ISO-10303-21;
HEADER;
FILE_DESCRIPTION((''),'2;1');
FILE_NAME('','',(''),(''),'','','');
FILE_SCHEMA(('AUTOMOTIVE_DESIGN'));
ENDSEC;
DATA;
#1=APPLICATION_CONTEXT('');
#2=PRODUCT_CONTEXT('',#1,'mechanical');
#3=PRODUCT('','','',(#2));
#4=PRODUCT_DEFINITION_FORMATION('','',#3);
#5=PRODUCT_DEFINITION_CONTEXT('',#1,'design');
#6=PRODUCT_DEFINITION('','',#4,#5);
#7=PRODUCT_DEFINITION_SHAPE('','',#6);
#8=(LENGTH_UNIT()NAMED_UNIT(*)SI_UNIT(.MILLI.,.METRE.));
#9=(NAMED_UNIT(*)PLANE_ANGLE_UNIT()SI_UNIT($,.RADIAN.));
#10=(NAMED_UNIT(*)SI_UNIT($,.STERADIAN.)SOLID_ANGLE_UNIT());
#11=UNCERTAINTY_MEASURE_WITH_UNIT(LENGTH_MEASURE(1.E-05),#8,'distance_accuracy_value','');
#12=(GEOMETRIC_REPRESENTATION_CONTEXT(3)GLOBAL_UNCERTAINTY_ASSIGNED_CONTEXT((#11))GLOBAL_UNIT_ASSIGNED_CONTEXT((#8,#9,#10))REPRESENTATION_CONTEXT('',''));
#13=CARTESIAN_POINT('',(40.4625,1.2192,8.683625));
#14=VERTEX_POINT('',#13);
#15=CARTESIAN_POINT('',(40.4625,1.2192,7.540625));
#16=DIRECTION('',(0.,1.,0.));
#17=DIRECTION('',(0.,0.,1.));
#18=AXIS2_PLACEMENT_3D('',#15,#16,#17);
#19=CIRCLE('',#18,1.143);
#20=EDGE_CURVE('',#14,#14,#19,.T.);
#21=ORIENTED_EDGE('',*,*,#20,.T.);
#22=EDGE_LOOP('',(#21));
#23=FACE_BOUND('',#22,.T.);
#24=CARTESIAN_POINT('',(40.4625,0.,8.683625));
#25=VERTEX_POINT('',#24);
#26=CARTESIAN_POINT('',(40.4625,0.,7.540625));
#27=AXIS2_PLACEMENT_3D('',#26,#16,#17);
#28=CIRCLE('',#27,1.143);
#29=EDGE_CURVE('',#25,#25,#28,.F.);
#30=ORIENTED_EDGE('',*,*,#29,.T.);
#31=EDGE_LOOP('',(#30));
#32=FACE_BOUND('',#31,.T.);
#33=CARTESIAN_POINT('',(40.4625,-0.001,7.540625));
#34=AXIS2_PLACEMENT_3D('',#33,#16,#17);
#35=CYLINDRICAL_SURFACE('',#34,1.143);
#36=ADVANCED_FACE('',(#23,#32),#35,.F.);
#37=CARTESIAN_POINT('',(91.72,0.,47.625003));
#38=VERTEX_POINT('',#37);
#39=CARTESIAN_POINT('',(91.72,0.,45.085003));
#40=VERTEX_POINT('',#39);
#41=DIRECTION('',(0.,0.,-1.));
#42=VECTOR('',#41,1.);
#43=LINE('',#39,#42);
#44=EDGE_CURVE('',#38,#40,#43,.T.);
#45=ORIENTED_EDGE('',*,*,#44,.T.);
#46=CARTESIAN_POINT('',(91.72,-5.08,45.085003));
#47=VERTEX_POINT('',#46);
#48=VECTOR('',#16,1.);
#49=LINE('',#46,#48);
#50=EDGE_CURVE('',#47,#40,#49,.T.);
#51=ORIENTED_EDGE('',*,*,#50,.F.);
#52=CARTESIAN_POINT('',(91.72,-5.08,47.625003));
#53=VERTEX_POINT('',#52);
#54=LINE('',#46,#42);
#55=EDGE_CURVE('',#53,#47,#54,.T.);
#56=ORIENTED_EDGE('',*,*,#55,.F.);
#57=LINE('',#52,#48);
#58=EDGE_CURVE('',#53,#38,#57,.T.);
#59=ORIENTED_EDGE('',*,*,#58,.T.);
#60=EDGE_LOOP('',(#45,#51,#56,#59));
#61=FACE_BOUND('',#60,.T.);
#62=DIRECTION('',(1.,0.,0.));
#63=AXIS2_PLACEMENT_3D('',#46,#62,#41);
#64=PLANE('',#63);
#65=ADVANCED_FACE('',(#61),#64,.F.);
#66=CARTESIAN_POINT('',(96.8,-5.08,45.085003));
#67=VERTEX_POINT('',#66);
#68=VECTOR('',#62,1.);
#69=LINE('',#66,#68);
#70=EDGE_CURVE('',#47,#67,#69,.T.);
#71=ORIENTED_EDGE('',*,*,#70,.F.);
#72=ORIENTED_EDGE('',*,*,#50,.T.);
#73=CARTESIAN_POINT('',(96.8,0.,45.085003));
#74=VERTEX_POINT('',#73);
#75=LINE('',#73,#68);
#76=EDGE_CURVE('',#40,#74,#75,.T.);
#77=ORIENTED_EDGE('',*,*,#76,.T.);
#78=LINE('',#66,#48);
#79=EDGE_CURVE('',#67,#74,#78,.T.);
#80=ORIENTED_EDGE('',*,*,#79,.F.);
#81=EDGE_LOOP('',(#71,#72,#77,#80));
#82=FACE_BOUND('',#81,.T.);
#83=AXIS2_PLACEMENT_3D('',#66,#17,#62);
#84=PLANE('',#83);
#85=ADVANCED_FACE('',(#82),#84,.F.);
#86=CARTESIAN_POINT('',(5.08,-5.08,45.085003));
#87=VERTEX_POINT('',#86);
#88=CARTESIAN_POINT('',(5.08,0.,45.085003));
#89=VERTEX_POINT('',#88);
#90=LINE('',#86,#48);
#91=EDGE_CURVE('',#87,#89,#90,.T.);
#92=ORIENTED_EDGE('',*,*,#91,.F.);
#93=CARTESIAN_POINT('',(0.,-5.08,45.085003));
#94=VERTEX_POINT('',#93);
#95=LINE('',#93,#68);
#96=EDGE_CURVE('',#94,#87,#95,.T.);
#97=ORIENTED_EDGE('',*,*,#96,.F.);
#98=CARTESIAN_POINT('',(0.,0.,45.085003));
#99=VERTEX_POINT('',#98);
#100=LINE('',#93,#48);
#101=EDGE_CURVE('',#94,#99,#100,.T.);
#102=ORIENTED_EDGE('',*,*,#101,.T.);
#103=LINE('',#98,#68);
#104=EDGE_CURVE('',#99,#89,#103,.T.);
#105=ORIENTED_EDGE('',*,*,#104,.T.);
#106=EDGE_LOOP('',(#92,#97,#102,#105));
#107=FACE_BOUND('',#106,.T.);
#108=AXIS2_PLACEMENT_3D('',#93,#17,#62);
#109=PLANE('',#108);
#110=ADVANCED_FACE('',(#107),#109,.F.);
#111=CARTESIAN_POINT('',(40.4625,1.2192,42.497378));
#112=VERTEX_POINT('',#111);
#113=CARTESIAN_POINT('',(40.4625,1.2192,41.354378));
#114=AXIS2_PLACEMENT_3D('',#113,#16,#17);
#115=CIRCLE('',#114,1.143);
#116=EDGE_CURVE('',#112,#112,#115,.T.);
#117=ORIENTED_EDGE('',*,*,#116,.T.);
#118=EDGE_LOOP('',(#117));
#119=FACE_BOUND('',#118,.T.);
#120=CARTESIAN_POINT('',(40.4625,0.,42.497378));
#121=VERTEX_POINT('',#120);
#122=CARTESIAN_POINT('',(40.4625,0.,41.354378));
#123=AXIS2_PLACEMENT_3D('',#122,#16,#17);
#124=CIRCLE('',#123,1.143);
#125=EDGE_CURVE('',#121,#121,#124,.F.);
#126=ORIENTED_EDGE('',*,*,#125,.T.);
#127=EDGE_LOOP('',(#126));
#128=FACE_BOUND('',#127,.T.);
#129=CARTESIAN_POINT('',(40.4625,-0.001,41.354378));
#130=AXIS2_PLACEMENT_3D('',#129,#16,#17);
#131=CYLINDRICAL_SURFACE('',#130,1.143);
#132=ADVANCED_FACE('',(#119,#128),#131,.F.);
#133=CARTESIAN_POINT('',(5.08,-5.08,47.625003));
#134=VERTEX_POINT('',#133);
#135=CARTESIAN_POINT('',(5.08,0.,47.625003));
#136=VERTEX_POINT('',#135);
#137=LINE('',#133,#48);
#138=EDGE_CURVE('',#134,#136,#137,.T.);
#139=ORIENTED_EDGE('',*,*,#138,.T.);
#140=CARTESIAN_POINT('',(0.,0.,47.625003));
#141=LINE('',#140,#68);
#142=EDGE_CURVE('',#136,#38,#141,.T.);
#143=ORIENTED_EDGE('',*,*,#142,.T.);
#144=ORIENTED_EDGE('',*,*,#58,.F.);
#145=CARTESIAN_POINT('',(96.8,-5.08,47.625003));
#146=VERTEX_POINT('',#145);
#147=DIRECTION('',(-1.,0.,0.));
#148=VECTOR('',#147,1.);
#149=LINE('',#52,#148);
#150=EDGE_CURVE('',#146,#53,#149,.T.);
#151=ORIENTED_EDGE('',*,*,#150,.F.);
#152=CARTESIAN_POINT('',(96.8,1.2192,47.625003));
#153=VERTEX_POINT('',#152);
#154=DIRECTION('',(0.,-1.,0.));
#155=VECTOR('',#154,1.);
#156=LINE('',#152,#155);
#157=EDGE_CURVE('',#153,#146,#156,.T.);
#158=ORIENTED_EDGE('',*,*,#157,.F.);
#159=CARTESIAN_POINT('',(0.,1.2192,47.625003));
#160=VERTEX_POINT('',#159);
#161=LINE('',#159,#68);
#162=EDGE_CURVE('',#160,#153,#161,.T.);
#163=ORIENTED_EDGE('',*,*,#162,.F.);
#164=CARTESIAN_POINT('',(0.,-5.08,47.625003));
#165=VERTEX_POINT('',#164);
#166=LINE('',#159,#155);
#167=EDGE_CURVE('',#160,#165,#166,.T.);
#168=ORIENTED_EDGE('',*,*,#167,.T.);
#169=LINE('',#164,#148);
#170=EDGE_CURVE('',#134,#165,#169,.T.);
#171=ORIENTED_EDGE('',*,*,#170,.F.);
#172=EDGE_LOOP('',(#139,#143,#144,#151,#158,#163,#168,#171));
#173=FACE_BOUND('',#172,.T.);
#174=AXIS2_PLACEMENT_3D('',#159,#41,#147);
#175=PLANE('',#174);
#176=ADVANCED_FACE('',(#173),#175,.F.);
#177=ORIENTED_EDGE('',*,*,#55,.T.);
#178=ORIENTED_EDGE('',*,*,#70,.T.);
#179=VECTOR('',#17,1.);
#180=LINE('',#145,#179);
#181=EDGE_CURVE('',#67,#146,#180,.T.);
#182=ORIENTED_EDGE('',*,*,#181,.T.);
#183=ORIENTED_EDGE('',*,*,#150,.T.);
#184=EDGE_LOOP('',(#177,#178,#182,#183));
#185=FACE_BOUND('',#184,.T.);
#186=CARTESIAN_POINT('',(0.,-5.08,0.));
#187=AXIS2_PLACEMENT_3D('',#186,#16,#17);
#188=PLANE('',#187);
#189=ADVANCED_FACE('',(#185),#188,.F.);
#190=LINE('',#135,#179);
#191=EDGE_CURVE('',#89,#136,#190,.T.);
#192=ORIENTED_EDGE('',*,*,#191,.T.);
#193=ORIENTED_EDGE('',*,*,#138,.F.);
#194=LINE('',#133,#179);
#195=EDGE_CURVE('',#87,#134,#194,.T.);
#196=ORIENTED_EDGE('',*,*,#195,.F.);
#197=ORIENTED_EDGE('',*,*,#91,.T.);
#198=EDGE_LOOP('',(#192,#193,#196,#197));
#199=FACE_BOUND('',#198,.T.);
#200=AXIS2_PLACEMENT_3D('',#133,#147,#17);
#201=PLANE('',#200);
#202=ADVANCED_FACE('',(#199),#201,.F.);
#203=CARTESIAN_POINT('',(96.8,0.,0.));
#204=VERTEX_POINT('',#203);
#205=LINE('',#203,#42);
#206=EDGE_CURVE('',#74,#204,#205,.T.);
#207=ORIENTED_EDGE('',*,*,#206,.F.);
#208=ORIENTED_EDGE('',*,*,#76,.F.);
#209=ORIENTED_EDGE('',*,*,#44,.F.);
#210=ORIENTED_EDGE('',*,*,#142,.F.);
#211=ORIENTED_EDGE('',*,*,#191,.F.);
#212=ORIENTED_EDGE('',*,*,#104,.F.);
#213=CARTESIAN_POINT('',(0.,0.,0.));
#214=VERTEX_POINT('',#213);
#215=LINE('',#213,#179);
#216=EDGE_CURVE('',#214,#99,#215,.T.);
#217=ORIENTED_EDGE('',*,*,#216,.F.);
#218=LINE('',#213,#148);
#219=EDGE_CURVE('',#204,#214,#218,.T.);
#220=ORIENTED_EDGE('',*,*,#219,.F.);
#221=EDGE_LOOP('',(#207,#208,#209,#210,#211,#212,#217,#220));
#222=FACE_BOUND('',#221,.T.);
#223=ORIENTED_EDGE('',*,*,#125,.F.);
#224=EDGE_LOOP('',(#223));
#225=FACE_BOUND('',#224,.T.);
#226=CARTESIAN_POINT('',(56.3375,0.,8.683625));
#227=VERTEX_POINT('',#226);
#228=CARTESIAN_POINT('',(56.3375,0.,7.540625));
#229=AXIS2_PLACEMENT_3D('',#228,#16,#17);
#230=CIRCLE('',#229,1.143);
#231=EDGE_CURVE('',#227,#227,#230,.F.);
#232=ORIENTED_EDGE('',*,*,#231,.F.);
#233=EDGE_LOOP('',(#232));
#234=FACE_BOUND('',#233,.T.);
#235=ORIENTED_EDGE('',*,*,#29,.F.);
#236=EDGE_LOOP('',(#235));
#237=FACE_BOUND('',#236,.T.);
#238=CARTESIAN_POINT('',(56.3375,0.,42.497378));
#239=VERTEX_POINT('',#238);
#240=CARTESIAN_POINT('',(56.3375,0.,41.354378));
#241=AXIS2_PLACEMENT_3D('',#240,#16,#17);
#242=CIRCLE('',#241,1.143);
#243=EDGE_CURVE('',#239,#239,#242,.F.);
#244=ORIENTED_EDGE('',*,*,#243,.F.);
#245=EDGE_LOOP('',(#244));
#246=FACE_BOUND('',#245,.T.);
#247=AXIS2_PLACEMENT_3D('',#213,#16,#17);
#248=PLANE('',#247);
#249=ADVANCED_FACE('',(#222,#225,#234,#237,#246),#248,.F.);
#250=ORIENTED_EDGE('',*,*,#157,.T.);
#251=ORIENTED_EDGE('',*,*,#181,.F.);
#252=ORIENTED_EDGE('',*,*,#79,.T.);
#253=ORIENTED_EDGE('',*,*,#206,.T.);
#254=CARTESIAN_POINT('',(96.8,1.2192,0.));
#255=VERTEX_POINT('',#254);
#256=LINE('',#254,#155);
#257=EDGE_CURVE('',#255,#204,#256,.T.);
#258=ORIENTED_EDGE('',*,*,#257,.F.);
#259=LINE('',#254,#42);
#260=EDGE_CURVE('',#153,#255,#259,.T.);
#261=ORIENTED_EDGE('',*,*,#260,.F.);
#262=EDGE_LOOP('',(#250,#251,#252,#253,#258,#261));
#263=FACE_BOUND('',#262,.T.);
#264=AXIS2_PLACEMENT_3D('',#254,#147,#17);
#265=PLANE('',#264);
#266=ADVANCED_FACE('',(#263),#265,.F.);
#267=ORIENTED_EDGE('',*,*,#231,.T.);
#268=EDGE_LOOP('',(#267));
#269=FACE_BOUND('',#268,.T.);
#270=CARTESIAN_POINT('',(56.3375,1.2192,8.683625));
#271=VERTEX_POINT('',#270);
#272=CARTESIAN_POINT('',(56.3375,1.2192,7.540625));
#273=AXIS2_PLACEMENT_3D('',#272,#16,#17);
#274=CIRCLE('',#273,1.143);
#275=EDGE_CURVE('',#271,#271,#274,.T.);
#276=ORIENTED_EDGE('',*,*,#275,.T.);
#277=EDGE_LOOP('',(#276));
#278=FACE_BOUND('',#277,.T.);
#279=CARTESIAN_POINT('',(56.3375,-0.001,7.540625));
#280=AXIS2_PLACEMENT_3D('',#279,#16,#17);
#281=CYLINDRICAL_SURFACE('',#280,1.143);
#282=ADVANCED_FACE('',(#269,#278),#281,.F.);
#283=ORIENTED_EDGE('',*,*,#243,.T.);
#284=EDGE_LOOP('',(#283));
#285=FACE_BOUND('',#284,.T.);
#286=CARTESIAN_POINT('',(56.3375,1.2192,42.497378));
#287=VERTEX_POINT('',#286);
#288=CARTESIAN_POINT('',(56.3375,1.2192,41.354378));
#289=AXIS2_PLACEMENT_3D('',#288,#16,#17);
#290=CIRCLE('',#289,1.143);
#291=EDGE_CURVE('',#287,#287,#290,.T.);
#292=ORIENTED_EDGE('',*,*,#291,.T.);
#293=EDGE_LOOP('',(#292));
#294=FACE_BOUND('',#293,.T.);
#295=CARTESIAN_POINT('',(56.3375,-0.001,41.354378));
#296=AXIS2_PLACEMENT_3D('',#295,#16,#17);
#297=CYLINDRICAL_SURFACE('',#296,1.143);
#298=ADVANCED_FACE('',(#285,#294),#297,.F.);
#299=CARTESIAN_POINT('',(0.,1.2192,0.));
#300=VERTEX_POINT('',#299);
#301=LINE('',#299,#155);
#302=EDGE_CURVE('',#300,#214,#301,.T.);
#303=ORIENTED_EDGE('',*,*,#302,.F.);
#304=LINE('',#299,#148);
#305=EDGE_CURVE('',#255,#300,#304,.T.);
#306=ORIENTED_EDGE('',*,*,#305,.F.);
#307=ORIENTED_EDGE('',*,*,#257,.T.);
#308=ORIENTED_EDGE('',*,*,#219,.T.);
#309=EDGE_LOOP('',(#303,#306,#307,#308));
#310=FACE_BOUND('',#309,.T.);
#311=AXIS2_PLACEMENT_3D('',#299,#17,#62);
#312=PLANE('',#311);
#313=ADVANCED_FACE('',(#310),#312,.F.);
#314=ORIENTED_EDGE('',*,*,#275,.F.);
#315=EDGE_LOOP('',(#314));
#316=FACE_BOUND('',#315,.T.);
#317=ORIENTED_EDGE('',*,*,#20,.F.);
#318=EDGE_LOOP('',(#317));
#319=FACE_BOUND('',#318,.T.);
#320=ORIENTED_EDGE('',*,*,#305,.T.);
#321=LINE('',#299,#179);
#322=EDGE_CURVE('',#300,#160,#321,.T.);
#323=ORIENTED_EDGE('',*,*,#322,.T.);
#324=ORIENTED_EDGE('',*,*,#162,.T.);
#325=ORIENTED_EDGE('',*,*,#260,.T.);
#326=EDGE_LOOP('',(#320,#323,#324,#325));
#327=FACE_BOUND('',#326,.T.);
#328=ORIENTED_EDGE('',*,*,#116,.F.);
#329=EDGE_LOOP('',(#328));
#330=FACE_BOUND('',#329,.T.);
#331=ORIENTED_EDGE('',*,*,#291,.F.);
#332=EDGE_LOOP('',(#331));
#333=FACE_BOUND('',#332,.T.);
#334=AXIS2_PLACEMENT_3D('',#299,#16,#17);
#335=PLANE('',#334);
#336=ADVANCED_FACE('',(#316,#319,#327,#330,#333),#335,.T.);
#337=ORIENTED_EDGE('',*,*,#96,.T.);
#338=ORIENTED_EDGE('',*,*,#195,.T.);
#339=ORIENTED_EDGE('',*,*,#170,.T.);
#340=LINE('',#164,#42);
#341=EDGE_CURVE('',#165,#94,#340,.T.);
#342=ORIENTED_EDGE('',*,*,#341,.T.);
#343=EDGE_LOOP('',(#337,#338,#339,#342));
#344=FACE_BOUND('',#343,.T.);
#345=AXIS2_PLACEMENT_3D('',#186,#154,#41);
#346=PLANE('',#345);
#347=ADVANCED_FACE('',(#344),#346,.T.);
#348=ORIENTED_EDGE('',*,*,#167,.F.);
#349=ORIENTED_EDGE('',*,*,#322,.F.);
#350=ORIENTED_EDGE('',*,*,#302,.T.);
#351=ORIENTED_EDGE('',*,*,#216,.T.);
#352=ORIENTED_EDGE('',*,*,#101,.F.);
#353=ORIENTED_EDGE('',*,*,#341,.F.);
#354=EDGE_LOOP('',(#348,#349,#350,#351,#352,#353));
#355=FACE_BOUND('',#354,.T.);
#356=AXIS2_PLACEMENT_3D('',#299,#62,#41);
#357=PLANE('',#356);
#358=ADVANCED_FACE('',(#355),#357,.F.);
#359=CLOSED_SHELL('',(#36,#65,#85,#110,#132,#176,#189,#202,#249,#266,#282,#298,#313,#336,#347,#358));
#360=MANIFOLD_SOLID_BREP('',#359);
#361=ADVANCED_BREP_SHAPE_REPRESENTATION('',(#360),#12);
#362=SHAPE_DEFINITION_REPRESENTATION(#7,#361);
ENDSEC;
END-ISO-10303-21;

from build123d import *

# Parameters (mm, degrees)
SKETCH1_W           = 96.799999948
SKETCH1_H           = 47.62500254
BOSS_EXTRUDE1_DEPTH = 1.2192
CUT_EXTRUDE1_REACH  = 109.888
SKETCH5_R           = 1.143
CUT_EXTRUDE2_REACH  = 109.888
SKETCH6_R           = 1.143
SKETCH7_W           = 5.08
SKETCH7_H           = 2.54
BOSS_EXTRUDE2_DEPTH = 5.08


with BuildPart() as part:
    # Sketch1 → Boss-Extrude1 (new body)
    with BuildSketch(Plane(origin=(0, 0, 0), x_dir=(1, 0, 0), z_dir=(0, 1, 0))):
        with Locations((48.399999974, -23.81250127)):
            Rectangle(SKETCH1_W, SKETCH1_H)
    extrude(amount=BOSS_EXTRUDE1_DEPTH)

    # Sketch5 → Cut-Extrude1 (cut, up to next)
    with BuildSketch(Plane(origin=(0, 1.2192, 0), x_dir=(1, 0, 0), z_dir=(0, 1, 0)), mode=Mode.PRIVATE) as cut_extrude1_sk1:
        with Locations(Location((56.3375, -7.540625, 0), (0, 0, 270))):
            Circle(SKETCH5_R)
    cut_extrude1_tool1 = extrude(cut_extrude1_sk1.sketch, amount=-CUT_EXTRUDE1_REACH, mode=Mode.PRIVATE) & part.part
    # Sketch5 → Cut-Extrude1 (cut, up to next)
    with BuildSketch(Plane(origin=(0, 1.2192, 0), x_dir=(1, 0, 0), z_dir=(0, 1, 0)), mode=Mode.PRIVATE) as cut_extrude1_sk2:
        with Locations(Location((40.4625, -7.540625, 0), (0, 0, 270))):
            Circle(SKETCH5_R)
    cut_extrude1_tool2 = extrude(cut_extrude1_sk2.sketch, amount=-CUT_EXTRUDE1_REACH, mode=Mode.PRIVATE) & part.part
    add(cut_extrude1_tool1.solids().sort_by_distance((56.3375, 1.2192, 7.540625))[0], mode=Mode.SUBTRACT)
    add(cut_extrude1_tool2.solids().sort_by_distance((40.4625, 1.2192, 7.540625))[0], mode=Mode.SUBTRACT)

    # Sketch6 → Cut-Extrude2 (cut, up to next)
    with BuildSketch(Plane(origin=(0, 1.2192, 0), x_dir=(1, 0, 0), z_dir=(0, 1, 0)), mode=Mode.PRIVATE) as cut_extrude2_sk1:
        with Locations(Location((56.3375, -41.35437754, 0), (0, 0, 270))):
            Circle(SKETCH6_R)
    cut_extrude2_tool1 = extrude(cut_extrude2_sk1.sketch, amount=-CUT_EXTRUDE2_REACH, mode=Mode.PRIVATE) & part.part
    # Sketch6 → Cut-Extrude2 (cut, up to next)
    with BuildSketch(Plane(origin=(0, 1.2192, 0), x_dir=(1, 0, 0), z_dir=(0, 1, 0)), mode=Mode.PRIVATE) as cut_extrude2_sk2:
        with Locations(Location((40.4625, -41.35437754, 0), (0, 0, 270))):
            Circle(SKETCH6_R)
    cut_extrude2_tool2 = extrude(cut_extrude2_sk2.sketch, amount=-CUT_EXTRUDE2_REACH, mode=Mode.PRIVATE) & part.part
    add(cut_extrude2_tool1.solids().sort_by_distance((56.3375, 1.2192, 41.354378))[0], mode=Mode.SUBTRACT)
    add(cut_extrude2_tool2.solids().sort_by_distance((40.4625, 1.2192, 41.354378))[0], mode=Mode.SUBTRACT)

    # Sketch7 → Boss-Extrude2 (add)
    with BuildSketch(Plane(origin=(0, 0, 0), x_dir=(-1, 0, 0), z_dir=(0, -1, 0))):
        with Locations((-94.259999948, -46.35500254)):
            Rectangle(SKETCH7_W, SKETCH7_H)
        with Locations((-2.54, -46.35500254)):
            Rectangle(SKETCH7_W, SKETCH7_H)
    extrude(amount=BOSS_EXTRUDE2_DEPTH)


solid = part.part
